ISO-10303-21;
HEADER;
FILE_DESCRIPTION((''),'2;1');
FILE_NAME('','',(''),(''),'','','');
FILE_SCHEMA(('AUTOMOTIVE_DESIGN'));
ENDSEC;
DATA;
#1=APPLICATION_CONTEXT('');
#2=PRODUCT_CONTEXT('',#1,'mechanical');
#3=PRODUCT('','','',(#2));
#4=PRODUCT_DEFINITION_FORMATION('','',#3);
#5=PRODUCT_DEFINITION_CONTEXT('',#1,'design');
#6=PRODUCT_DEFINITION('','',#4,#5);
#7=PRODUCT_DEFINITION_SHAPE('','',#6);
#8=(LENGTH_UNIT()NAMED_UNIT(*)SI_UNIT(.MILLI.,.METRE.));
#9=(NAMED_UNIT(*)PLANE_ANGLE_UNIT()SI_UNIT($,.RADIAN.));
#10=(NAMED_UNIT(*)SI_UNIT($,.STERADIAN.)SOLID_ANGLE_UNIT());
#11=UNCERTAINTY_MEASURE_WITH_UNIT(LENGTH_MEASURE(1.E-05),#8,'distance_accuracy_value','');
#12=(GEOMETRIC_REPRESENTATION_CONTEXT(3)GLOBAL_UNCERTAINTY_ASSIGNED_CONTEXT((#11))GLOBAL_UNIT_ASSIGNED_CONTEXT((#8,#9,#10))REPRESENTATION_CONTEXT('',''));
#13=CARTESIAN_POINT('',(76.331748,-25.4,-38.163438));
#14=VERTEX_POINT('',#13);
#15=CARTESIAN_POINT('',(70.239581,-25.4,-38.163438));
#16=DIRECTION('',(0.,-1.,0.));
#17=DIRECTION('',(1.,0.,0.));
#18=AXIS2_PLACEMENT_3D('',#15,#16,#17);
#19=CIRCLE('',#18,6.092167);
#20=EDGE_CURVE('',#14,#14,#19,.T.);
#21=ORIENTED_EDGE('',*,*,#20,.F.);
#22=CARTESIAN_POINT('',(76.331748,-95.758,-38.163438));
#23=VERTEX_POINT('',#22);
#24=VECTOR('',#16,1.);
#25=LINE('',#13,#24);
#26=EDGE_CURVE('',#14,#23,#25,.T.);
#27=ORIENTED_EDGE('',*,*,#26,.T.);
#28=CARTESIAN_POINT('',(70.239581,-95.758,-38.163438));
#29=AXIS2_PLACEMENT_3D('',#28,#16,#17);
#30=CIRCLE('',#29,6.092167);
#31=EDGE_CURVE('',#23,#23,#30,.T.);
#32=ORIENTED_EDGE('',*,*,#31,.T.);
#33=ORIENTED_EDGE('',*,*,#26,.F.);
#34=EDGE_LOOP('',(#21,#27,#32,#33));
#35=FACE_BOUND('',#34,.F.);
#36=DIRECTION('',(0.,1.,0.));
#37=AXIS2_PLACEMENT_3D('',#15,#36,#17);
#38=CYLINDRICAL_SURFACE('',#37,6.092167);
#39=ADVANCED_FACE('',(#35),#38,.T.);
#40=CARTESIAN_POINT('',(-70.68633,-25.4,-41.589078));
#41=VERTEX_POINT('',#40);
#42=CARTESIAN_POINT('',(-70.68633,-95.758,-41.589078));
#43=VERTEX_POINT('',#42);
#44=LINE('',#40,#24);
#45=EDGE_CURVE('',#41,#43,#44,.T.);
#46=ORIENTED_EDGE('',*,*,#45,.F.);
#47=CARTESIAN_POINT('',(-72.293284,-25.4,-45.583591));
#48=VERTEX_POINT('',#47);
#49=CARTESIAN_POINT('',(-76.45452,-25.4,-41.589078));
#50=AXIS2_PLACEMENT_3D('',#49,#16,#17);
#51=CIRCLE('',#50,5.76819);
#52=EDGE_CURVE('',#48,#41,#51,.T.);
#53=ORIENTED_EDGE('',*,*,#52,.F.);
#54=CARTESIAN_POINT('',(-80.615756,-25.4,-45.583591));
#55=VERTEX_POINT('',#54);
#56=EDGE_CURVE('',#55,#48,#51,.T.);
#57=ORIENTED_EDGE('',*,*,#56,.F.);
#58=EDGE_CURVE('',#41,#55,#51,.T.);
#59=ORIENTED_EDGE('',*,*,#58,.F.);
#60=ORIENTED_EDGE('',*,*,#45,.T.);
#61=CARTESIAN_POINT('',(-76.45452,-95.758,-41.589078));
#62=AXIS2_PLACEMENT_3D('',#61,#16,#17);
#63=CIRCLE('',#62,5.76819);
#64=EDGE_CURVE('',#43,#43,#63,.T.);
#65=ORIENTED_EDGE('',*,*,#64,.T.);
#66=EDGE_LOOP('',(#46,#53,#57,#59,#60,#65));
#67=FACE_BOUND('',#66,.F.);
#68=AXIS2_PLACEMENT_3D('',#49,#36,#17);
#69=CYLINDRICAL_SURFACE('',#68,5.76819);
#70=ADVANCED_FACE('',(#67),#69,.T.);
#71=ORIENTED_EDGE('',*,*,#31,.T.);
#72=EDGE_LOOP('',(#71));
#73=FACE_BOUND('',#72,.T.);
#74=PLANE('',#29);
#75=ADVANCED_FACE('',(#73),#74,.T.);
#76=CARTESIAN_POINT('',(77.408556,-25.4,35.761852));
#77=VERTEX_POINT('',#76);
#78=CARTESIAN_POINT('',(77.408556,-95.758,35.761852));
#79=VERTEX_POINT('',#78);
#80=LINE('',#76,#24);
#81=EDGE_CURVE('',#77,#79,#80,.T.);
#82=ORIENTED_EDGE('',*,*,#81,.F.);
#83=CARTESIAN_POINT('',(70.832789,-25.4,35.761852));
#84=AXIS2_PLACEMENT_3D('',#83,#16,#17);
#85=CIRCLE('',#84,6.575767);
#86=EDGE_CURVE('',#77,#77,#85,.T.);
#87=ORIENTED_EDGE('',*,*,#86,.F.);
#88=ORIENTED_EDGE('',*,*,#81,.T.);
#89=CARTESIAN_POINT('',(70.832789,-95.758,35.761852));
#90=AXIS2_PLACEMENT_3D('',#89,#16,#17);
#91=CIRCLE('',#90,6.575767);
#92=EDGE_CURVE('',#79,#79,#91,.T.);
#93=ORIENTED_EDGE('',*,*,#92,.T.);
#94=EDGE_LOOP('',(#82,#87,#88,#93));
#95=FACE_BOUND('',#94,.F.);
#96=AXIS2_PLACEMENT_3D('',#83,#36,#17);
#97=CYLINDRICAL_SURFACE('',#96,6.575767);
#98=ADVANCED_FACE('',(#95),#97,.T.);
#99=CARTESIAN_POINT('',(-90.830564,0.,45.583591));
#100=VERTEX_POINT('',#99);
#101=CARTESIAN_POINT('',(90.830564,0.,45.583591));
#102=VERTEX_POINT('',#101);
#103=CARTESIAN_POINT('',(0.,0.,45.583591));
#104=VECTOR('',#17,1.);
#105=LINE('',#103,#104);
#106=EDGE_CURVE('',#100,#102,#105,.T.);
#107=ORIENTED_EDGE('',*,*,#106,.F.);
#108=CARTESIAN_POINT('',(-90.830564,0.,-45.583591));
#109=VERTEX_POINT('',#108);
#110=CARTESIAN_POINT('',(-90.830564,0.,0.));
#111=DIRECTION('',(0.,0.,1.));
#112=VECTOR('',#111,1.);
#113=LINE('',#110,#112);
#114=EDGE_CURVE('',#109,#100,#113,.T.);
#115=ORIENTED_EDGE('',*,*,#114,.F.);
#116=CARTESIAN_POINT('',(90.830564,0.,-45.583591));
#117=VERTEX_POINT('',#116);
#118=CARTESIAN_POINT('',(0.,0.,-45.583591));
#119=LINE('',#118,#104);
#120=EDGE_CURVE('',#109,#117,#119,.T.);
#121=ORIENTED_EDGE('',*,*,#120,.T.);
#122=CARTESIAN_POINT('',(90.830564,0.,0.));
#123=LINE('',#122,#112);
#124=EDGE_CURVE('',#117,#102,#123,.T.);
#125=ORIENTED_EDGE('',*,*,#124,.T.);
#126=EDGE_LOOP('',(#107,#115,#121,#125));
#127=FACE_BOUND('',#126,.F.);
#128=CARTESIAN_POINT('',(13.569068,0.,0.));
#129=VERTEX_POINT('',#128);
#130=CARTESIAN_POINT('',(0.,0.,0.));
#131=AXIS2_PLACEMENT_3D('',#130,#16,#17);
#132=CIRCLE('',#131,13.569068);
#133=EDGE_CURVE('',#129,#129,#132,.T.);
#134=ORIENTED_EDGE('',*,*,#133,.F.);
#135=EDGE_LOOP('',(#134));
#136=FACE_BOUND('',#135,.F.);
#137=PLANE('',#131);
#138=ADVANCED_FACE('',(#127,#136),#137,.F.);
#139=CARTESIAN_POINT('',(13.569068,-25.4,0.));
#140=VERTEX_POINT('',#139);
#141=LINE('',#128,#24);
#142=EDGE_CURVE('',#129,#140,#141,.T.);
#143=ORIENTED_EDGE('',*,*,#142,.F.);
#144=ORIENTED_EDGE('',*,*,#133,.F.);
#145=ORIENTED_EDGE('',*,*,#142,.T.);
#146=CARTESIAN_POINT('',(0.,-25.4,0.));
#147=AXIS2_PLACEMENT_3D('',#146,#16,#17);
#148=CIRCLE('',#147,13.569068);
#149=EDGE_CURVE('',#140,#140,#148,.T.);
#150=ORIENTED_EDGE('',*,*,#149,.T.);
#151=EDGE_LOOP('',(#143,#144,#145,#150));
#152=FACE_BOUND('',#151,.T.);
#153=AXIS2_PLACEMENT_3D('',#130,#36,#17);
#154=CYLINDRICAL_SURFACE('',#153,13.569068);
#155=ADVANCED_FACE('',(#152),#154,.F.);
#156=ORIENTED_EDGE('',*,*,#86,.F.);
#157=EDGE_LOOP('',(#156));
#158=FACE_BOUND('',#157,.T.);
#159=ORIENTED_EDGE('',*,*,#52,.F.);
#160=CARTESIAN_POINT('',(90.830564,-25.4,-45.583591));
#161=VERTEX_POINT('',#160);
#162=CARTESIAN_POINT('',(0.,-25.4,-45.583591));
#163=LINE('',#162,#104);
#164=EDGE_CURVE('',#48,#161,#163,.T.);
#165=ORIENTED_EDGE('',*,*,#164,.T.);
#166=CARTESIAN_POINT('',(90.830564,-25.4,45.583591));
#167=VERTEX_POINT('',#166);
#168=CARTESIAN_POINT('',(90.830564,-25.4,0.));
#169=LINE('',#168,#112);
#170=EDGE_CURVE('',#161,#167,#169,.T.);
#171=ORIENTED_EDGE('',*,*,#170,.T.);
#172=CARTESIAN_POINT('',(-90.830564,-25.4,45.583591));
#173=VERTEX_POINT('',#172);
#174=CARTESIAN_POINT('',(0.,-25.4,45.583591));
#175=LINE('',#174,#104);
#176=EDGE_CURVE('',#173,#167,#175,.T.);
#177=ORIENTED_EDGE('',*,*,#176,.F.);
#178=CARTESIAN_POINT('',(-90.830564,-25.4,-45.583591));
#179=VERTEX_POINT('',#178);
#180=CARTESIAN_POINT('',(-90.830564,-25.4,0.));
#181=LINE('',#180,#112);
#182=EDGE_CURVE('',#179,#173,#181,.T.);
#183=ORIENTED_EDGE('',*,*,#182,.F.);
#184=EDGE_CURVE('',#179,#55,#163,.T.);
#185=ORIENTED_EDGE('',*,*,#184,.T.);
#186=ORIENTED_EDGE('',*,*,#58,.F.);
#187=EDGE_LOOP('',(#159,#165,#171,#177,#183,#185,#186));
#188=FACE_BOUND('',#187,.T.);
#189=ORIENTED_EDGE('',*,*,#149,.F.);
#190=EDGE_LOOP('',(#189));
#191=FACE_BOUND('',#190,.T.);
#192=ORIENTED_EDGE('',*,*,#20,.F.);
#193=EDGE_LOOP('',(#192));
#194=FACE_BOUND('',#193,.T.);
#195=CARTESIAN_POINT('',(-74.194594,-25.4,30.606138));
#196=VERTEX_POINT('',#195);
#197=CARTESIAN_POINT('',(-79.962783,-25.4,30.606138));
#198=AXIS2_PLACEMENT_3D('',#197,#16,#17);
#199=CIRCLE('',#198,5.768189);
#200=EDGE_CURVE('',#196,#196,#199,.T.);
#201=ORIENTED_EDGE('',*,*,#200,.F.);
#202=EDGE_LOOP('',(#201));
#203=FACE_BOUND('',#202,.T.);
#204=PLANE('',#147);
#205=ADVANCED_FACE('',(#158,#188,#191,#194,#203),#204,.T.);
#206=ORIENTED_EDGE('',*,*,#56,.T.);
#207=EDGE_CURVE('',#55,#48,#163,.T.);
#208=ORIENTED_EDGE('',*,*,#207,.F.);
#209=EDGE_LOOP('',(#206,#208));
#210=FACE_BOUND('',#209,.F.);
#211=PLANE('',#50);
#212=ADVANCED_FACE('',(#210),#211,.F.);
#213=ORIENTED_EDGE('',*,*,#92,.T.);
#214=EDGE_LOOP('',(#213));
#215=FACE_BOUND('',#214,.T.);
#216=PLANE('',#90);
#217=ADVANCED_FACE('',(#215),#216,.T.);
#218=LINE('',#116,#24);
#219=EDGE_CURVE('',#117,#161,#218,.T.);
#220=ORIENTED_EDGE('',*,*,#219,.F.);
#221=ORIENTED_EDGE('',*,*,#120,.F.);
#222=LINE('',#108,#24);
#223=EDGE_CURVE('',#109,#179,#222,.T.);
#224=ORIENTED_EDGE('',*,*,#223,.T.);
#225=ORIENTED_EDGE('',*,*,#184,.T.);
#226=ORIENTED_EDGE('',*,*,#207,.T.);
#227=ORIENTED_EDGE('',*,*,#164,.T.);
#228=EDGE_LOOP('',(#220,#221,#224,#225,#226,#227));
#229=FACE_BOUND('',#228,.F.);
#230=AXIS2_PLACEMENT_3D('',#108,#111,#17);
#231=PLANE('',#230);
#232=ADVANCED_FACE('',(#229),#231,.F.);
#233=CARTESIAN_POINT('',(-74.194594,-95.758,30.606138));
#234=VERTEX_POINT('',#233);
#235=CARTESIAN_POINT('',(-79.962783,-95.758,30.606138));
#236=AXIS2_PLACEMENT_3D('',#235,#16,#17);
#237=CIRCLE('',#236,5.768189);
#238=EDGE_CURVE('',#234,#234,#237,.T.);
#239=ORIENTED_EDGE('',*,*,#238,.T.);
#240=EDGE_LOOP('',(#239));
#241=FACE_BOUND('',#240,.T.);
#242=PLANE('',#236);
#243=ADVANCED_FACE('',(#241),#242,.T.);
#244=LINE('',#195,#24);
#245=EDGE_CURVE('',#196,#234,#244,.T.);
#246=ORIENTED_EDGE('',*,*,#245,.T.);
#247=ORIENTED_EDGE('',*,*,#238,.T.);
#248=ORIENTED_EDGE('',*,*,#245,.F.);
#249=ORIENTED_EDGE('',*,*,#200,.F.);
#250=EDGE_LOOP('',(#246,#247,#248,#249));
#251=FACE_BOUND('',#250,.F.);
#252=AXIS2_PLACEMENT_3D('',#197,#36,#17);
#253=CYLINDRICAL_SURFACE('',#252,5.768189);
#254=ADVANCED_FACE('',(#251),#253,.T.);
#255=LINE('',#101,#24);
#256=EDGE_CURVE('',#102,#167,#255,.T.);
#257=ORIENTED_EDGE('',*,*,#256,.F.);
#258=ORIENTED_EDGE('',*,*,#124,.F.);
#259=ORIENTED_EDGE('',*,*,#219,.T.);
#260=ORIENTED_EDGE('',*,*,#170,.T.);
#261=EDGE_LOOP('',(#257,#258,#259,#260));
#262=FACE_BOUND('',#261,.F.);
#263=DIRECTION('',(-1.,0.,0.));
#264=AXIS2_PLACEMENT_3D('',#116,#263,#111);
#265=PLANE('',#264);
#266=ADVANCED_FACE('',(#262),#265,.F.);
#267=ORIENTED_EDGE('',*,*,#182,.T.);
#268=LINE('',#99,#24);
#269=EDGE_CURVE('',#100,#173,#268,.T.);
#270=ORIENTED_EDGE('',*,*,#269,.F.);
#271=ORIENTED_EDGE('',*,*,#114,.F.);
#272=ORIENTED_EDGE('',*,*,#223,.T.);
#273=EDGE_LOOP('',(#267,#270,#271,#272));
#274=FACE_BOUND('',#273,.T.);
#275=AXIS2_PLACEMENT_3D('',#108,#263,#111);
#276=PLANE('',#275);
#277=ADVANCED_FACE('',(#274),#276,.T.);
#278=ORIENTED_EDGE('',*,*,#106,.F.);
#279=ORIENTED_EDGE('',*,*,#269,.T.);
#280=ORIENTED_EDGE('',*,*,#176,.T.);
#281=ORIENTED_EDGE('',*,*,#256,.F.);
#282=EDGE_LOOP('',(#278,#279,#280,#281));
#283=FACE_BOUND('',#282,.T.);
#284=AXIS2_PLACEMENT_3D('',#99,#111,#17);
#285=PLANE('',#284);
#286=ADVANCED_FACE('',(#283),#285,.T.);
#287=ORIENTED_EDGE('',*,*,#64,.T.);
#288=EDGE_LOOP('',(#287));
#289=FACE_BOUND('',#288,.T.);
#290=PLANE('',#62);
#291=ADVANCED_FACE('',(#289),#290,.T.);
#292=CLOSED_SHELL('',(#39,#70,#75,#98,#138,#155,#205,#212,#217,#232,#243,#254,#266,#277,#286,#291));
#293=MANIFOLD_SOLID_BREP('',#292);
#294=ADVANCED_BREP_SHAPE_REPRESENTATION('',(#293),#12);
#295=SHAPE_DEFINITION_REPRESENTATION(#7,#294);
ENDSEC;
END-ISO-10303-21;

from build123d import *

# Parameters (mm, degrees)
F0_W     = 181.6611289978
F0_H     = 91.1671817303
F0_R     = 31.5386396081
F0_R_2   = 13.5690677721
F1_DEPTH = 25.4
F2_R     = 6.0921672848
F2_R_2   = 6.5757666319
F2_R_3   = 5.7681904181
F2_R_4   = 5.7681885289
F3_DEPTH = 70.358


with BuildPart() as f1:
    # F0 (on Front) → F1 (new body)
    with BuildSketch(Plane.XZ):
        Rectangle(F0_W, F0_H)
        Circle(F0_R, mode=Mode.SUBTRACT)
        Circle(F0_R)
        Circle(F0_R_2, mode=Mode.SUBTRACT)
    extrude(amount=F1_DEPTH)

    # F2 (on face) → F3 (join)
    with BuildSketch(Plane.XZ.offset(25.4)):
        with Locations((70.2395811677, -38.1634384394)):
            Circle(F2_R)
        with Locations((70.8327889442, 35.7618518174)):
            Circle(F2_R_2)
        with Locations((-76.4545202255, -41.5890775621)):
            Circle(F2_R_3)
        with Locations((-79.9627825618, 30.6061375886)):
            Circle(F2_R_4)
    extrude(amount=F3_DEPTH)


solid = f1.part
